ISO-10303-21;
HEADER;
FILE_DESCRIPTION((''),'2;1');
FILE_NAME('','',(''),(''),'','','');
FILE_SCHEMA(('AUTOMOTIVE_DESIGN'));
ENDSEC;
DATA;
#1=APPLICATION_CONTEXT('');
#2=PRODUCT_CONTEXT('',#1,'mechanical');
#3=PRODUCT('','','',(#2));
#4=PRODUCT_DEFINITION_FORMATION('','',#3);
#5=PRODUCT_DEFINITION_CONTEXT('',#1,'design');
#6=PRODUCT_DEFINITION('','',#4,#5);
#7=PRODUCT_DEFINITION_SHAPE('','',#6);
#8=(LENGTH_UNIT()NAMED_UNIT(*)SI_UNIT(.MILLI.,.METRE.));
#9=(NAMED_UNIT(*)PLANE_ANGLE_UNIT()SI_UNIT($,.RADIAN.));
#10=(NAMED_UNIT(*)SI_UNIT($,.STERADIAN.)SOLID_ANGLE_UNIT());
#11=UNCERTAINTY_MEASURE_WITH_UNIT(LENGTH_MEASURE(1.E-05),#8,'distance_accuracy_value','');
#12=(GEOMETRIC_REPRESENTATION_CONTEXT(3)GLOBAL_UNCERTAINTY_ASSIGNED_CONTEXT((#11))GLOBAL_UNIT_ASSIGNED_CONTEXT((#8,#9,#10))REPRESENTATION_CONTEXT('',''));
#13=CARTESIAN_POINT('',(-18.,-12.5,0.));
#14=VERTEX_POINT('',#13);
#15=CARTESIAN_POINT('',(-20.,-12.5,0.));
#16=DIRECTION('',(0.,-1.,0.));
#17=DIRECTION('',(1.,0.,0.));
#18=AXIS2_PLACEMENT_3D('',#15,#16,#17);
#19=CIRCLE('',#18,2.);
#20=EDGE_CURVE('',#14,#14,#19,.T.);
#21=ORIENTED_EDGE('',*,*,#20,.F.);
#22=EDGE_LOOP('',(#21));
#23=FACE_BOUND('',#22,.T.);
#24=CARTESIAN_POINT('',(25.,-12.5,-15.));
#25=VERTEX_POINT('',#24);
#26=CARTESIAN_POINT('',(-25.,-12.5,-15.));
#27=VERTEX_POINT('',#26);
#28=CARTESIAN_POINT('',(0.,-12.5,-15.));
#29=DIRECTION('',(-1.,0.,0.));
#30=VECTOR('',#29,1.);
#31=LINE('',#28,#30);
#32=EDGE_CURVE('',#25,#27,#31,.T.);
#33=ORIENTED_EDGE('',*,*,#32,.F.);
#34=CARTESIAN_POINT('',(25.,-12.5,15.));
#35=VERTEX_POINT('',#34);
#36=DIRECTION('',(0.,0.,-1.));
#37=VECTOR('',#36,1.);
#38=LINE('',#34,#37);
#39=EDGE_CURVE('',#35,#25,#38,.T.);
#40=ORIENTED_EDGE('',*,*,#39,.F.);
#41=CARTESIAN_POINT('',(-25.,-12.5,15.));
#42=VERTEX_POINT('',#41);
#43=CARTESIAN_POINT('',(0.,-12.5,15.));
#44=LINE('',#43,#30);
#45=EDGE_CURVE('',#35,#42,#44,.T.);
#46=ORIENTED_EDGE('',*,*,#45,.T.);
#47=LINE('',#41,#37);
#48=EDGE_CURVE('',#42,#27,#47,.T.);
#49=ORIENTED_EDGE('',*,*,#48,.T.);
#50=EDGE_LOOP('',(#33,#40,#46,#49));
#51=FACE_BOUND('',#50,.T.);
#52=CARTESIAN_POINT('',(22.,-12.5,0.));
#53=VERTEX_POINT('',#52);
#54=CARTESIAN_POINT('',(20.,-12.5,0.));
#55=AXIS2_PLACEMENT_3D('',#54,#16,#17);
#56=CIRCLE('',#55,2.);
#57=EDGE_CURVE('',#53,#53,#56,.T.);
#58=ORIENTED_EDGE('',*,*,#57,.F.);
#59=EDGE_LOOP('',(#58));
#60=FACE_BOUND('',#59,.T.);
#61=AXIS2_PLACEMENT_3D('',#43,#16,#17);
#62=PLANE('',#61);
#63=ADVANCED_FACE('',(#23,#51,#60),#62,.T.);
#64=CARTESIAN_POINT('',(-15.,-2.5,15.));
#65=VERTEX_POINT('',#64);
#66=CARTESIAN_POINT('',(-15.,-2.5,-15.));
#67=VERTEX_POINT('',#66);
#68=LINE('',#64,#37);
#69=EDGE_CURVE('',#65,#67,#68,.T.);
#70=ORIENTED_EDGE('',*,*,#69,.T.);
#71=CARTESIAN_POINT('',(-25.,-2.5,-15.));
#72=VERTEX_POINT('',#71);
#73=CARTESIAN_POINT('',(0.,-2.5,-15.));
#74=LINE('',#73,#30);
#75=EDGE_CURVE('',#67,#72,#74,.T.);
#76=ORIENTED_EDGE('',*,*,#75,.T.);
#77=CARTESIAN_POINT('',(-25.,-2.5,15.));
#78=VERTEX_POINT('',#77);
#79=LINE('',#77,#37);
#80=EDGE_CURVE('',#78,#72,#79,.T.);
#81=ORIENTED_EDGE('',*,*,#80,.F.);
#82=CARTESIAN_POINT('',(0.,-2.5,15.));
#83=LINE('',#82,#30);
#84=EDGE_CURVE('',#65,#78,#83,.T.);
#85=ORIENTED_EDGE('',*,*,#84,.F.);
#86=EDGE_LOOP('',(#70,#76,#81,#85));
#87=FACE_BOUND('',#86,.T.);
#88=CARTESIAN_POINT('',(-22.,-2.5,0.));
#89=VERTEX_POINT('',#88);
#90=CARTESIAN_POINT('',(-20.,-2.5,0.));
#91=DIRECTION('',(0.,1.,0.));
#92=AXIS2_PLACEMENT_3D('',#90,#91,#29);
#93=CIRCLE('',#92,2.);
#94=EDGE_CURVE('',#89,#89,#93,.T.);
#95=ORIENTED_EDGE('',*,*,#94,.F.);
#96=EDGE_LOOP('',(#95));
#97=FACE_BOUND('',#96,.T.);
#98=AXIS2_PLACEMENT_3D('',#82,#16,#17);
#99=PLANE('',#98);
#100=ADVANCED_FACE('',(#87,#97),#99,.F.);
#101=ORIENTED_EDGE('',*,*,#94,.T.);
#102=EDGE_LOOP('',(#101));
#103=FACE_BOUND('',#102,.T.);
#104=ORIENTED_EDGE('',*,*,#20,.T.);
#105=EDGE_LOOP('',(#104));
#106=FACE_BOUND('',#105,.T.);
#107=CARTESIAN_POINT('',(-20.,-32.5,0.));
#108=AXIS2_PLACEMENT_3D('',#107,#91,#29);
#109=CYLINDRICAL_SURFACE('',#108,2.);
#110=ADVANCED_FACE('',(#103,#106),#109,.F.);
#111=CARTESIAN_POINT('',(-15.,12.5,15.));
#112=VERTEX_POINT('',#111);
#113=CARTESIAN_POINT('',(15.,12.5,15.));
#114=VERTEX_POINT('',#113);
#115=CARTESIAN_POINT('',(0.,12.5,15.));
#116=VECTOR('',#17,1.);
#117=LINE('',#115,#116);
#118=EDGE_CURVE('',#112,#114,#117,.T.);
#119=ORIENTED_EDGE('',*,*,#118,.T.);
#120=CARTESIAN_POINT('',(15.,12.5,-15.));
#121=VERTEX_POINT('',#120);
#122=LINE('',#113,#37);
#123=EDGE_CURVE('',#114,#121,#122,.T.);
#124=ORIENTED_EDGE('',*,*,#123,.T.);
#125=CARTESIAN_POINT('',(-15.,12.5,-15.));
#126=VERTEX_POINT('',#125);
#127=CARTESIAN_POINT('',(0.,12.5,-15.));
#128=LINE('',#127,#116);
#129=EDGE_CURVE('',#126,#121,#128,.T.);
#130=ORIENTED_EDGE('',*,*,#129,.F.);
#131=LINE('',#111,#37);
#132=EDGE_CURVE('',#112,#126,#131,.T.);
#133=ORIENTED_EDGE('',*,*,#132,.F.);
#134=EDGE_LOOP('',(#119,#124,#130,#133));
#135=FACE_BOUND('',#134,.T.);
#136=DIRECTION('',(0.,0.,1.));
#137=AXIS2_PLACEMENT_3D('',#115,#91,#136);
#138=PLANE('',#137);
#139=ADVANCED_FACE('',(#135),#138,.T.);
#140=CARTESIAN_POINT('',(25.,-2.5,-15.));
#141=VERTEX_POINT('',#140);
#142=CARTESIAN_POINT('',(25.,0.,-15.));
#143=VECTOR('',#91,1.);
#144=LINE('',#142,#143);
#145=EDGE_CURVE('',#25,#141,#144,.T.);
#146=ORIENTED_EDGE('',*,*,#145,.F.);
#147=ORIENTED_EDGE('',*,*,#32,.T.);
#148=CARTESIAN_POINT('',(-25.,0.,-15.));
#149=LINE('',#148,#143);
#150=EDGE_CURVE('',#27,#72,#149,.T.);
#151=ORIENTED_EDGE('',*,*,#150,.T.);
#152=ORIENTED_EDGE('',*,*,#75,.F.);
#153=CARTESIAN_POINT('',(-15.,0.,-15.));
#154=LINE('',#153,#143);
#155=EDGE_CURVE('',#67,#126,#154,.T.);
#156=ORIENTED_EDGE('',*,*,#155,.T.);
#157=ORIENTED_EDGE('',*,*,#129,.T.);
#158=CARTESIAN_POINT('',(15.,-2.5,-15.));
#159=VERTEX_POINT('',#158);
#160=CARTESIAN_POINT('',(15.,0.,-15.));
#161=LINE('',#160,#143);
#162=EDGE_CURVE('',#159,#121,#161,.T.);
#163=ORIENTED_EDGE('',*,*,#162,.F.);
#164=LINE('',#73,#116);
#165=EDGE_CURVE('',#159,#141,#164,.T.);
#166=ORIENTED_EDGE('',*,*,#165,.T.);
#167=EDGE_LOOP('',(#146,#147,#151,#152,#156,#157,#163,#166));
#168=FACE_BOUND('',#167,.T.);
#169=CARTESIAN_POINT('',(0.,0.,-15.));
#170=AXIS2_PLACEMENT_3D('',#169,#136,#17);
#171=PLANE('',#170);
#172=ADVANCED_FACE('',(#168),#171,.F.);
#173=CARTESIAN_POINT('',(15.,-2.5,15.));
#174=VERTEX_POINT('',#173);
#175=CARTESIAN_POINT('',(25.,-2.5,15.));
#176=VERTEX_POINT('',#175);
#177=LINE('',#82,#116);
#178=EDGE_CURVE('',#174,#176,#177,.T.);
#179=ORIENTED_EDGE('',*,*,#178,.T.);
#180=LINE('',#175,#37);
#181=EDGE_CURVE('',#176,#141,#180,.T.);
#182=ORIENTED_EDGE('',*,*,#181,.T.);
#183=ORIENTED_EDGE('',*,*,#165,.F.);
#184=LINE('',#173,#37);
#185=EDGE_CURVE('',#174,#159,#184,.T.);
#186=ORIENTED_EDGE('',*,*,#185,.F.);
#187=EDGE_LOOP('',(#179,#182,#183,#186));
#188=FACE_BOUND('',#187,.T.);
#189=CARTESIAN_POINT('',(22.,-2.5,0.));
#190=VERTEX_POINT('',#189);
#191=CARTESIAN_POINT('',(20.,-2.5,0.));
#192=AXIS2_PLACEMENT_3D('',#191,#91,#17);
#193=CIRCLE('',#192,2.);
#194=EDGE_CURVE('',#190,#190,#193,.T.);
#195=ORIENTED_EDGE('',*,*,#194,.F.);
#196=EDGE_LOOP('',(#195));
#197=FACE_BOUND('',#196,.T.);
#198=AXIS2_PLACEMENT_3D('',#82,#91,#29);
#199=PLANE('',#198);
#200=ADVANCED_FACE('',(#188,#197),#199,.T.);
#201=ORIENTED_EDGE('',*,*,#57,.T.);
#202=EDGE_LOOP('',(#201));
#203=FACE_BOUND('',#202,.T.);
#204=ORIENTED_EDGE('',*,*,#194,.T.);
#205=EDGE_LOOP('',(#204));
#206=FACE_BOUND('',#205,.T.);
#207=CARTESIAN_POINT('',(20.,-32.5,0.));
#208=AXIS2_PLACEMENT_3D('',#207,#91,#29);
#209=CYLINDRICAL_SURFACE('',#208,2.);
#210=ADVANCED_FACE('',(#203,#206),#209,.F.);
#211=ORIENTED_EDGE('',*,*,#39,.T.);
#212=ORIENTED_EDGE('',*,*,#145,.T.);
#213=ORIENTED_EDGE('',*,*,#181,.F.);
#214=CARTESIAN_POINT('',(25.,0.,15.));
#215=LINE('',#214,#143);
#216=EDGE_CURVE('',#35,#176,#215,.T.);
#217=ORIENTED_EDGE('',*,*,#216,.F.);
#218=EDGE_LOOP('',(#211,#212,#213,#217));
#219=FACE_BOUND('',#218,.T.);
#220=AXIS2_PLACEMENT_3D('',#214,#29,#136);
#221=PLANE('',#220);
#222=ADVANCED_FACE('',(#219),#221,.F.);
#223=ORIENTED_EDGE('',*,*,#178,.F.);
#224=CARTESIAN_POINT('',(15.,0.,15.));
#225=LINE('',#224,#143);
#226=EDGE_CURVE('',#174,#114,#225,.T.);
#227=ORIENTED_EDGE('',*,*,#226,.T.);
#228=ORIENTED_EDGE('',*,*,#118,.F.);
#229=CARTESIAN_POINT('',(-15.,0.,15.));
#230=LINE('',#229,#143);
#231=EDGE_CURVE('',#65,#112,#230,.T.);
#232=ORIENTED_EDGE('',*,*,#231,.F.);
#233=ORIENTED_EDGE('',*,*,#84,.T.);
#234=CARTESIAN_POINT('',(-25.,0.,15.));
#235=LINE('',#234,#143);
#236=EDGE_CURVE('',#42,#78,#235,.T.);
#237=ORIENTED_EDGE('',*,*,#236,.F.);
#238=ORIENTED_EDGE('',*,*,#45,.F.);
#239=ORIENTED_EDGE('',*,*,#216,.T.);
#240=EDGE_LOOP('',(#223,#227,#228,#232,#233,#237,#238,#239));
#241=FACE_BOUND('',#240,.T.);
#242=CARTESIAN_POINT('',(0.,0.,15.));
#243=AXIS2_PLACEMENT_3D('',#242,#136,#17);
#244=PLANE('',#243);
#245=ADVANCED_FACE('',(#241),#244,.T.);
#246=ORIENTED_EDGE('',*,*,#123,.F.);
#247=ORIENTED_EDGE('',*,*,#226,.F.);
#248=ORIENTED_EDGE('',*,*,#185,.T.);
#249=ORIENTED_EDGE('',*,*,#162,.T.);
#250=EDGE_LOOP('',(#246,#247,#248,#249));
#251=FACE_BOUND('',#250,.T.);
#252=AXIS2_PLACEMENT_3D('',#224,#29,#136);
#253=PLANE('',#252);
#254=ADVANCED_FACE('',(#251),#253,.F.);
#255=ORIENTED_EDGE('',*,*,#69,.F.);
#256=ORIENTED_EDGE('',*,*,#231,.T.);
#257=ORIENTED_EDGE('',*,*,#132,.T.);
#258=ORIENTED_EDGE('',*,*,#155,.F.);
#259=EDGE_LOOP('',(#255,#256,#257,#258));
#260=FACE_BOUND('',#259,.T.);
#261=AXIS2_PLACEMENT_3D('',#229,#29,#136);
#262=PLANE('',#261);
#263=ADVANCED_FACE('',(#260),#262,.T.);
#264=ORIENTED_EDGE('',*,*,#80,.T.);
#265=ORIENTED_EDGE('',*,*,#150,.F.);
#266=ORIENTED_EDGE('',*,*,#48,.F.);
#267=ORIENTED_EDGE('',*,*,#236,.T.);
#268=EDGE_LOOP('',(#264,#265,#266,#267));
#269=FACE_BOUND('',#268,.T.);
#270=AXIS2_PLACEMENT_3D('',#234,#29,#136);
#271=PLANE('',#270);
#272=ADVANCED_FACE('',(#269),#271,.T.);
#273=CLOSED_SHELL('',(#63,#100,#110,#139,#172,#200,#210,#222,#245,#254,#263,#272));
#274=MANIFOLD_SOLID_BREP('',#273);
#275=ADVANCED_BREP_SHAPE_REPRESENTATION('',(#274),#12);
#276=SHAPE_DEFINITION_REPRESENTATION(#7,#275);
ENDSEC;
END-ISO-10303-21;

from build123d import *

# Parameters (mm, degrees)
CROQUIS1_W              = 10
CROQUIS1_H              = 10
CROQUIS1_W_2            = 30
CROQUIS1_H_2            = 25
SALIENTE_EXTRUIR1_DEPTH = 15
CROQUIS2_R              = 2
CORTAR_EXTRUIR1_DEPTH   = 30


with BuildPart() as part:
    # Croquis1 → Saliente-Extruir1 (new, symmetric)
    with BuildSketch(Plane.XY):
        with Locations((-20, -7.5)):
            Rectangle(CROQUIS1_W, CROQUIS1_H)
        Rectangle(CROQUIS1_W_2, CROQUIS1_H_2)
        with Locations((20, -7.5)):
            Rectangle(CROQUIS1_W, CROQUIS1_H)
    extrude(amount=SALIENTE_EXTRUIR1_DEPTH, both=True)

    # Croquis2 → Cortar-Extruir1 (cut)
    with BuildSketch(Plane(origin=(0, -2.5, 0), x_dir=(1, 0, 0), z_dir=(0, 1, 0))):
        with Locations(Location((-20, 0, 0), (0, 0, 180))):
            Circle(CROQUIS2_R)
        with Locations((20, 0)):
            Circle(CROQUIS2_R)
    extrude(amount=-CORTAR_EXTRUIR1_DEPTH, mode=Mode.SUBTRACT)


solid = part.part
